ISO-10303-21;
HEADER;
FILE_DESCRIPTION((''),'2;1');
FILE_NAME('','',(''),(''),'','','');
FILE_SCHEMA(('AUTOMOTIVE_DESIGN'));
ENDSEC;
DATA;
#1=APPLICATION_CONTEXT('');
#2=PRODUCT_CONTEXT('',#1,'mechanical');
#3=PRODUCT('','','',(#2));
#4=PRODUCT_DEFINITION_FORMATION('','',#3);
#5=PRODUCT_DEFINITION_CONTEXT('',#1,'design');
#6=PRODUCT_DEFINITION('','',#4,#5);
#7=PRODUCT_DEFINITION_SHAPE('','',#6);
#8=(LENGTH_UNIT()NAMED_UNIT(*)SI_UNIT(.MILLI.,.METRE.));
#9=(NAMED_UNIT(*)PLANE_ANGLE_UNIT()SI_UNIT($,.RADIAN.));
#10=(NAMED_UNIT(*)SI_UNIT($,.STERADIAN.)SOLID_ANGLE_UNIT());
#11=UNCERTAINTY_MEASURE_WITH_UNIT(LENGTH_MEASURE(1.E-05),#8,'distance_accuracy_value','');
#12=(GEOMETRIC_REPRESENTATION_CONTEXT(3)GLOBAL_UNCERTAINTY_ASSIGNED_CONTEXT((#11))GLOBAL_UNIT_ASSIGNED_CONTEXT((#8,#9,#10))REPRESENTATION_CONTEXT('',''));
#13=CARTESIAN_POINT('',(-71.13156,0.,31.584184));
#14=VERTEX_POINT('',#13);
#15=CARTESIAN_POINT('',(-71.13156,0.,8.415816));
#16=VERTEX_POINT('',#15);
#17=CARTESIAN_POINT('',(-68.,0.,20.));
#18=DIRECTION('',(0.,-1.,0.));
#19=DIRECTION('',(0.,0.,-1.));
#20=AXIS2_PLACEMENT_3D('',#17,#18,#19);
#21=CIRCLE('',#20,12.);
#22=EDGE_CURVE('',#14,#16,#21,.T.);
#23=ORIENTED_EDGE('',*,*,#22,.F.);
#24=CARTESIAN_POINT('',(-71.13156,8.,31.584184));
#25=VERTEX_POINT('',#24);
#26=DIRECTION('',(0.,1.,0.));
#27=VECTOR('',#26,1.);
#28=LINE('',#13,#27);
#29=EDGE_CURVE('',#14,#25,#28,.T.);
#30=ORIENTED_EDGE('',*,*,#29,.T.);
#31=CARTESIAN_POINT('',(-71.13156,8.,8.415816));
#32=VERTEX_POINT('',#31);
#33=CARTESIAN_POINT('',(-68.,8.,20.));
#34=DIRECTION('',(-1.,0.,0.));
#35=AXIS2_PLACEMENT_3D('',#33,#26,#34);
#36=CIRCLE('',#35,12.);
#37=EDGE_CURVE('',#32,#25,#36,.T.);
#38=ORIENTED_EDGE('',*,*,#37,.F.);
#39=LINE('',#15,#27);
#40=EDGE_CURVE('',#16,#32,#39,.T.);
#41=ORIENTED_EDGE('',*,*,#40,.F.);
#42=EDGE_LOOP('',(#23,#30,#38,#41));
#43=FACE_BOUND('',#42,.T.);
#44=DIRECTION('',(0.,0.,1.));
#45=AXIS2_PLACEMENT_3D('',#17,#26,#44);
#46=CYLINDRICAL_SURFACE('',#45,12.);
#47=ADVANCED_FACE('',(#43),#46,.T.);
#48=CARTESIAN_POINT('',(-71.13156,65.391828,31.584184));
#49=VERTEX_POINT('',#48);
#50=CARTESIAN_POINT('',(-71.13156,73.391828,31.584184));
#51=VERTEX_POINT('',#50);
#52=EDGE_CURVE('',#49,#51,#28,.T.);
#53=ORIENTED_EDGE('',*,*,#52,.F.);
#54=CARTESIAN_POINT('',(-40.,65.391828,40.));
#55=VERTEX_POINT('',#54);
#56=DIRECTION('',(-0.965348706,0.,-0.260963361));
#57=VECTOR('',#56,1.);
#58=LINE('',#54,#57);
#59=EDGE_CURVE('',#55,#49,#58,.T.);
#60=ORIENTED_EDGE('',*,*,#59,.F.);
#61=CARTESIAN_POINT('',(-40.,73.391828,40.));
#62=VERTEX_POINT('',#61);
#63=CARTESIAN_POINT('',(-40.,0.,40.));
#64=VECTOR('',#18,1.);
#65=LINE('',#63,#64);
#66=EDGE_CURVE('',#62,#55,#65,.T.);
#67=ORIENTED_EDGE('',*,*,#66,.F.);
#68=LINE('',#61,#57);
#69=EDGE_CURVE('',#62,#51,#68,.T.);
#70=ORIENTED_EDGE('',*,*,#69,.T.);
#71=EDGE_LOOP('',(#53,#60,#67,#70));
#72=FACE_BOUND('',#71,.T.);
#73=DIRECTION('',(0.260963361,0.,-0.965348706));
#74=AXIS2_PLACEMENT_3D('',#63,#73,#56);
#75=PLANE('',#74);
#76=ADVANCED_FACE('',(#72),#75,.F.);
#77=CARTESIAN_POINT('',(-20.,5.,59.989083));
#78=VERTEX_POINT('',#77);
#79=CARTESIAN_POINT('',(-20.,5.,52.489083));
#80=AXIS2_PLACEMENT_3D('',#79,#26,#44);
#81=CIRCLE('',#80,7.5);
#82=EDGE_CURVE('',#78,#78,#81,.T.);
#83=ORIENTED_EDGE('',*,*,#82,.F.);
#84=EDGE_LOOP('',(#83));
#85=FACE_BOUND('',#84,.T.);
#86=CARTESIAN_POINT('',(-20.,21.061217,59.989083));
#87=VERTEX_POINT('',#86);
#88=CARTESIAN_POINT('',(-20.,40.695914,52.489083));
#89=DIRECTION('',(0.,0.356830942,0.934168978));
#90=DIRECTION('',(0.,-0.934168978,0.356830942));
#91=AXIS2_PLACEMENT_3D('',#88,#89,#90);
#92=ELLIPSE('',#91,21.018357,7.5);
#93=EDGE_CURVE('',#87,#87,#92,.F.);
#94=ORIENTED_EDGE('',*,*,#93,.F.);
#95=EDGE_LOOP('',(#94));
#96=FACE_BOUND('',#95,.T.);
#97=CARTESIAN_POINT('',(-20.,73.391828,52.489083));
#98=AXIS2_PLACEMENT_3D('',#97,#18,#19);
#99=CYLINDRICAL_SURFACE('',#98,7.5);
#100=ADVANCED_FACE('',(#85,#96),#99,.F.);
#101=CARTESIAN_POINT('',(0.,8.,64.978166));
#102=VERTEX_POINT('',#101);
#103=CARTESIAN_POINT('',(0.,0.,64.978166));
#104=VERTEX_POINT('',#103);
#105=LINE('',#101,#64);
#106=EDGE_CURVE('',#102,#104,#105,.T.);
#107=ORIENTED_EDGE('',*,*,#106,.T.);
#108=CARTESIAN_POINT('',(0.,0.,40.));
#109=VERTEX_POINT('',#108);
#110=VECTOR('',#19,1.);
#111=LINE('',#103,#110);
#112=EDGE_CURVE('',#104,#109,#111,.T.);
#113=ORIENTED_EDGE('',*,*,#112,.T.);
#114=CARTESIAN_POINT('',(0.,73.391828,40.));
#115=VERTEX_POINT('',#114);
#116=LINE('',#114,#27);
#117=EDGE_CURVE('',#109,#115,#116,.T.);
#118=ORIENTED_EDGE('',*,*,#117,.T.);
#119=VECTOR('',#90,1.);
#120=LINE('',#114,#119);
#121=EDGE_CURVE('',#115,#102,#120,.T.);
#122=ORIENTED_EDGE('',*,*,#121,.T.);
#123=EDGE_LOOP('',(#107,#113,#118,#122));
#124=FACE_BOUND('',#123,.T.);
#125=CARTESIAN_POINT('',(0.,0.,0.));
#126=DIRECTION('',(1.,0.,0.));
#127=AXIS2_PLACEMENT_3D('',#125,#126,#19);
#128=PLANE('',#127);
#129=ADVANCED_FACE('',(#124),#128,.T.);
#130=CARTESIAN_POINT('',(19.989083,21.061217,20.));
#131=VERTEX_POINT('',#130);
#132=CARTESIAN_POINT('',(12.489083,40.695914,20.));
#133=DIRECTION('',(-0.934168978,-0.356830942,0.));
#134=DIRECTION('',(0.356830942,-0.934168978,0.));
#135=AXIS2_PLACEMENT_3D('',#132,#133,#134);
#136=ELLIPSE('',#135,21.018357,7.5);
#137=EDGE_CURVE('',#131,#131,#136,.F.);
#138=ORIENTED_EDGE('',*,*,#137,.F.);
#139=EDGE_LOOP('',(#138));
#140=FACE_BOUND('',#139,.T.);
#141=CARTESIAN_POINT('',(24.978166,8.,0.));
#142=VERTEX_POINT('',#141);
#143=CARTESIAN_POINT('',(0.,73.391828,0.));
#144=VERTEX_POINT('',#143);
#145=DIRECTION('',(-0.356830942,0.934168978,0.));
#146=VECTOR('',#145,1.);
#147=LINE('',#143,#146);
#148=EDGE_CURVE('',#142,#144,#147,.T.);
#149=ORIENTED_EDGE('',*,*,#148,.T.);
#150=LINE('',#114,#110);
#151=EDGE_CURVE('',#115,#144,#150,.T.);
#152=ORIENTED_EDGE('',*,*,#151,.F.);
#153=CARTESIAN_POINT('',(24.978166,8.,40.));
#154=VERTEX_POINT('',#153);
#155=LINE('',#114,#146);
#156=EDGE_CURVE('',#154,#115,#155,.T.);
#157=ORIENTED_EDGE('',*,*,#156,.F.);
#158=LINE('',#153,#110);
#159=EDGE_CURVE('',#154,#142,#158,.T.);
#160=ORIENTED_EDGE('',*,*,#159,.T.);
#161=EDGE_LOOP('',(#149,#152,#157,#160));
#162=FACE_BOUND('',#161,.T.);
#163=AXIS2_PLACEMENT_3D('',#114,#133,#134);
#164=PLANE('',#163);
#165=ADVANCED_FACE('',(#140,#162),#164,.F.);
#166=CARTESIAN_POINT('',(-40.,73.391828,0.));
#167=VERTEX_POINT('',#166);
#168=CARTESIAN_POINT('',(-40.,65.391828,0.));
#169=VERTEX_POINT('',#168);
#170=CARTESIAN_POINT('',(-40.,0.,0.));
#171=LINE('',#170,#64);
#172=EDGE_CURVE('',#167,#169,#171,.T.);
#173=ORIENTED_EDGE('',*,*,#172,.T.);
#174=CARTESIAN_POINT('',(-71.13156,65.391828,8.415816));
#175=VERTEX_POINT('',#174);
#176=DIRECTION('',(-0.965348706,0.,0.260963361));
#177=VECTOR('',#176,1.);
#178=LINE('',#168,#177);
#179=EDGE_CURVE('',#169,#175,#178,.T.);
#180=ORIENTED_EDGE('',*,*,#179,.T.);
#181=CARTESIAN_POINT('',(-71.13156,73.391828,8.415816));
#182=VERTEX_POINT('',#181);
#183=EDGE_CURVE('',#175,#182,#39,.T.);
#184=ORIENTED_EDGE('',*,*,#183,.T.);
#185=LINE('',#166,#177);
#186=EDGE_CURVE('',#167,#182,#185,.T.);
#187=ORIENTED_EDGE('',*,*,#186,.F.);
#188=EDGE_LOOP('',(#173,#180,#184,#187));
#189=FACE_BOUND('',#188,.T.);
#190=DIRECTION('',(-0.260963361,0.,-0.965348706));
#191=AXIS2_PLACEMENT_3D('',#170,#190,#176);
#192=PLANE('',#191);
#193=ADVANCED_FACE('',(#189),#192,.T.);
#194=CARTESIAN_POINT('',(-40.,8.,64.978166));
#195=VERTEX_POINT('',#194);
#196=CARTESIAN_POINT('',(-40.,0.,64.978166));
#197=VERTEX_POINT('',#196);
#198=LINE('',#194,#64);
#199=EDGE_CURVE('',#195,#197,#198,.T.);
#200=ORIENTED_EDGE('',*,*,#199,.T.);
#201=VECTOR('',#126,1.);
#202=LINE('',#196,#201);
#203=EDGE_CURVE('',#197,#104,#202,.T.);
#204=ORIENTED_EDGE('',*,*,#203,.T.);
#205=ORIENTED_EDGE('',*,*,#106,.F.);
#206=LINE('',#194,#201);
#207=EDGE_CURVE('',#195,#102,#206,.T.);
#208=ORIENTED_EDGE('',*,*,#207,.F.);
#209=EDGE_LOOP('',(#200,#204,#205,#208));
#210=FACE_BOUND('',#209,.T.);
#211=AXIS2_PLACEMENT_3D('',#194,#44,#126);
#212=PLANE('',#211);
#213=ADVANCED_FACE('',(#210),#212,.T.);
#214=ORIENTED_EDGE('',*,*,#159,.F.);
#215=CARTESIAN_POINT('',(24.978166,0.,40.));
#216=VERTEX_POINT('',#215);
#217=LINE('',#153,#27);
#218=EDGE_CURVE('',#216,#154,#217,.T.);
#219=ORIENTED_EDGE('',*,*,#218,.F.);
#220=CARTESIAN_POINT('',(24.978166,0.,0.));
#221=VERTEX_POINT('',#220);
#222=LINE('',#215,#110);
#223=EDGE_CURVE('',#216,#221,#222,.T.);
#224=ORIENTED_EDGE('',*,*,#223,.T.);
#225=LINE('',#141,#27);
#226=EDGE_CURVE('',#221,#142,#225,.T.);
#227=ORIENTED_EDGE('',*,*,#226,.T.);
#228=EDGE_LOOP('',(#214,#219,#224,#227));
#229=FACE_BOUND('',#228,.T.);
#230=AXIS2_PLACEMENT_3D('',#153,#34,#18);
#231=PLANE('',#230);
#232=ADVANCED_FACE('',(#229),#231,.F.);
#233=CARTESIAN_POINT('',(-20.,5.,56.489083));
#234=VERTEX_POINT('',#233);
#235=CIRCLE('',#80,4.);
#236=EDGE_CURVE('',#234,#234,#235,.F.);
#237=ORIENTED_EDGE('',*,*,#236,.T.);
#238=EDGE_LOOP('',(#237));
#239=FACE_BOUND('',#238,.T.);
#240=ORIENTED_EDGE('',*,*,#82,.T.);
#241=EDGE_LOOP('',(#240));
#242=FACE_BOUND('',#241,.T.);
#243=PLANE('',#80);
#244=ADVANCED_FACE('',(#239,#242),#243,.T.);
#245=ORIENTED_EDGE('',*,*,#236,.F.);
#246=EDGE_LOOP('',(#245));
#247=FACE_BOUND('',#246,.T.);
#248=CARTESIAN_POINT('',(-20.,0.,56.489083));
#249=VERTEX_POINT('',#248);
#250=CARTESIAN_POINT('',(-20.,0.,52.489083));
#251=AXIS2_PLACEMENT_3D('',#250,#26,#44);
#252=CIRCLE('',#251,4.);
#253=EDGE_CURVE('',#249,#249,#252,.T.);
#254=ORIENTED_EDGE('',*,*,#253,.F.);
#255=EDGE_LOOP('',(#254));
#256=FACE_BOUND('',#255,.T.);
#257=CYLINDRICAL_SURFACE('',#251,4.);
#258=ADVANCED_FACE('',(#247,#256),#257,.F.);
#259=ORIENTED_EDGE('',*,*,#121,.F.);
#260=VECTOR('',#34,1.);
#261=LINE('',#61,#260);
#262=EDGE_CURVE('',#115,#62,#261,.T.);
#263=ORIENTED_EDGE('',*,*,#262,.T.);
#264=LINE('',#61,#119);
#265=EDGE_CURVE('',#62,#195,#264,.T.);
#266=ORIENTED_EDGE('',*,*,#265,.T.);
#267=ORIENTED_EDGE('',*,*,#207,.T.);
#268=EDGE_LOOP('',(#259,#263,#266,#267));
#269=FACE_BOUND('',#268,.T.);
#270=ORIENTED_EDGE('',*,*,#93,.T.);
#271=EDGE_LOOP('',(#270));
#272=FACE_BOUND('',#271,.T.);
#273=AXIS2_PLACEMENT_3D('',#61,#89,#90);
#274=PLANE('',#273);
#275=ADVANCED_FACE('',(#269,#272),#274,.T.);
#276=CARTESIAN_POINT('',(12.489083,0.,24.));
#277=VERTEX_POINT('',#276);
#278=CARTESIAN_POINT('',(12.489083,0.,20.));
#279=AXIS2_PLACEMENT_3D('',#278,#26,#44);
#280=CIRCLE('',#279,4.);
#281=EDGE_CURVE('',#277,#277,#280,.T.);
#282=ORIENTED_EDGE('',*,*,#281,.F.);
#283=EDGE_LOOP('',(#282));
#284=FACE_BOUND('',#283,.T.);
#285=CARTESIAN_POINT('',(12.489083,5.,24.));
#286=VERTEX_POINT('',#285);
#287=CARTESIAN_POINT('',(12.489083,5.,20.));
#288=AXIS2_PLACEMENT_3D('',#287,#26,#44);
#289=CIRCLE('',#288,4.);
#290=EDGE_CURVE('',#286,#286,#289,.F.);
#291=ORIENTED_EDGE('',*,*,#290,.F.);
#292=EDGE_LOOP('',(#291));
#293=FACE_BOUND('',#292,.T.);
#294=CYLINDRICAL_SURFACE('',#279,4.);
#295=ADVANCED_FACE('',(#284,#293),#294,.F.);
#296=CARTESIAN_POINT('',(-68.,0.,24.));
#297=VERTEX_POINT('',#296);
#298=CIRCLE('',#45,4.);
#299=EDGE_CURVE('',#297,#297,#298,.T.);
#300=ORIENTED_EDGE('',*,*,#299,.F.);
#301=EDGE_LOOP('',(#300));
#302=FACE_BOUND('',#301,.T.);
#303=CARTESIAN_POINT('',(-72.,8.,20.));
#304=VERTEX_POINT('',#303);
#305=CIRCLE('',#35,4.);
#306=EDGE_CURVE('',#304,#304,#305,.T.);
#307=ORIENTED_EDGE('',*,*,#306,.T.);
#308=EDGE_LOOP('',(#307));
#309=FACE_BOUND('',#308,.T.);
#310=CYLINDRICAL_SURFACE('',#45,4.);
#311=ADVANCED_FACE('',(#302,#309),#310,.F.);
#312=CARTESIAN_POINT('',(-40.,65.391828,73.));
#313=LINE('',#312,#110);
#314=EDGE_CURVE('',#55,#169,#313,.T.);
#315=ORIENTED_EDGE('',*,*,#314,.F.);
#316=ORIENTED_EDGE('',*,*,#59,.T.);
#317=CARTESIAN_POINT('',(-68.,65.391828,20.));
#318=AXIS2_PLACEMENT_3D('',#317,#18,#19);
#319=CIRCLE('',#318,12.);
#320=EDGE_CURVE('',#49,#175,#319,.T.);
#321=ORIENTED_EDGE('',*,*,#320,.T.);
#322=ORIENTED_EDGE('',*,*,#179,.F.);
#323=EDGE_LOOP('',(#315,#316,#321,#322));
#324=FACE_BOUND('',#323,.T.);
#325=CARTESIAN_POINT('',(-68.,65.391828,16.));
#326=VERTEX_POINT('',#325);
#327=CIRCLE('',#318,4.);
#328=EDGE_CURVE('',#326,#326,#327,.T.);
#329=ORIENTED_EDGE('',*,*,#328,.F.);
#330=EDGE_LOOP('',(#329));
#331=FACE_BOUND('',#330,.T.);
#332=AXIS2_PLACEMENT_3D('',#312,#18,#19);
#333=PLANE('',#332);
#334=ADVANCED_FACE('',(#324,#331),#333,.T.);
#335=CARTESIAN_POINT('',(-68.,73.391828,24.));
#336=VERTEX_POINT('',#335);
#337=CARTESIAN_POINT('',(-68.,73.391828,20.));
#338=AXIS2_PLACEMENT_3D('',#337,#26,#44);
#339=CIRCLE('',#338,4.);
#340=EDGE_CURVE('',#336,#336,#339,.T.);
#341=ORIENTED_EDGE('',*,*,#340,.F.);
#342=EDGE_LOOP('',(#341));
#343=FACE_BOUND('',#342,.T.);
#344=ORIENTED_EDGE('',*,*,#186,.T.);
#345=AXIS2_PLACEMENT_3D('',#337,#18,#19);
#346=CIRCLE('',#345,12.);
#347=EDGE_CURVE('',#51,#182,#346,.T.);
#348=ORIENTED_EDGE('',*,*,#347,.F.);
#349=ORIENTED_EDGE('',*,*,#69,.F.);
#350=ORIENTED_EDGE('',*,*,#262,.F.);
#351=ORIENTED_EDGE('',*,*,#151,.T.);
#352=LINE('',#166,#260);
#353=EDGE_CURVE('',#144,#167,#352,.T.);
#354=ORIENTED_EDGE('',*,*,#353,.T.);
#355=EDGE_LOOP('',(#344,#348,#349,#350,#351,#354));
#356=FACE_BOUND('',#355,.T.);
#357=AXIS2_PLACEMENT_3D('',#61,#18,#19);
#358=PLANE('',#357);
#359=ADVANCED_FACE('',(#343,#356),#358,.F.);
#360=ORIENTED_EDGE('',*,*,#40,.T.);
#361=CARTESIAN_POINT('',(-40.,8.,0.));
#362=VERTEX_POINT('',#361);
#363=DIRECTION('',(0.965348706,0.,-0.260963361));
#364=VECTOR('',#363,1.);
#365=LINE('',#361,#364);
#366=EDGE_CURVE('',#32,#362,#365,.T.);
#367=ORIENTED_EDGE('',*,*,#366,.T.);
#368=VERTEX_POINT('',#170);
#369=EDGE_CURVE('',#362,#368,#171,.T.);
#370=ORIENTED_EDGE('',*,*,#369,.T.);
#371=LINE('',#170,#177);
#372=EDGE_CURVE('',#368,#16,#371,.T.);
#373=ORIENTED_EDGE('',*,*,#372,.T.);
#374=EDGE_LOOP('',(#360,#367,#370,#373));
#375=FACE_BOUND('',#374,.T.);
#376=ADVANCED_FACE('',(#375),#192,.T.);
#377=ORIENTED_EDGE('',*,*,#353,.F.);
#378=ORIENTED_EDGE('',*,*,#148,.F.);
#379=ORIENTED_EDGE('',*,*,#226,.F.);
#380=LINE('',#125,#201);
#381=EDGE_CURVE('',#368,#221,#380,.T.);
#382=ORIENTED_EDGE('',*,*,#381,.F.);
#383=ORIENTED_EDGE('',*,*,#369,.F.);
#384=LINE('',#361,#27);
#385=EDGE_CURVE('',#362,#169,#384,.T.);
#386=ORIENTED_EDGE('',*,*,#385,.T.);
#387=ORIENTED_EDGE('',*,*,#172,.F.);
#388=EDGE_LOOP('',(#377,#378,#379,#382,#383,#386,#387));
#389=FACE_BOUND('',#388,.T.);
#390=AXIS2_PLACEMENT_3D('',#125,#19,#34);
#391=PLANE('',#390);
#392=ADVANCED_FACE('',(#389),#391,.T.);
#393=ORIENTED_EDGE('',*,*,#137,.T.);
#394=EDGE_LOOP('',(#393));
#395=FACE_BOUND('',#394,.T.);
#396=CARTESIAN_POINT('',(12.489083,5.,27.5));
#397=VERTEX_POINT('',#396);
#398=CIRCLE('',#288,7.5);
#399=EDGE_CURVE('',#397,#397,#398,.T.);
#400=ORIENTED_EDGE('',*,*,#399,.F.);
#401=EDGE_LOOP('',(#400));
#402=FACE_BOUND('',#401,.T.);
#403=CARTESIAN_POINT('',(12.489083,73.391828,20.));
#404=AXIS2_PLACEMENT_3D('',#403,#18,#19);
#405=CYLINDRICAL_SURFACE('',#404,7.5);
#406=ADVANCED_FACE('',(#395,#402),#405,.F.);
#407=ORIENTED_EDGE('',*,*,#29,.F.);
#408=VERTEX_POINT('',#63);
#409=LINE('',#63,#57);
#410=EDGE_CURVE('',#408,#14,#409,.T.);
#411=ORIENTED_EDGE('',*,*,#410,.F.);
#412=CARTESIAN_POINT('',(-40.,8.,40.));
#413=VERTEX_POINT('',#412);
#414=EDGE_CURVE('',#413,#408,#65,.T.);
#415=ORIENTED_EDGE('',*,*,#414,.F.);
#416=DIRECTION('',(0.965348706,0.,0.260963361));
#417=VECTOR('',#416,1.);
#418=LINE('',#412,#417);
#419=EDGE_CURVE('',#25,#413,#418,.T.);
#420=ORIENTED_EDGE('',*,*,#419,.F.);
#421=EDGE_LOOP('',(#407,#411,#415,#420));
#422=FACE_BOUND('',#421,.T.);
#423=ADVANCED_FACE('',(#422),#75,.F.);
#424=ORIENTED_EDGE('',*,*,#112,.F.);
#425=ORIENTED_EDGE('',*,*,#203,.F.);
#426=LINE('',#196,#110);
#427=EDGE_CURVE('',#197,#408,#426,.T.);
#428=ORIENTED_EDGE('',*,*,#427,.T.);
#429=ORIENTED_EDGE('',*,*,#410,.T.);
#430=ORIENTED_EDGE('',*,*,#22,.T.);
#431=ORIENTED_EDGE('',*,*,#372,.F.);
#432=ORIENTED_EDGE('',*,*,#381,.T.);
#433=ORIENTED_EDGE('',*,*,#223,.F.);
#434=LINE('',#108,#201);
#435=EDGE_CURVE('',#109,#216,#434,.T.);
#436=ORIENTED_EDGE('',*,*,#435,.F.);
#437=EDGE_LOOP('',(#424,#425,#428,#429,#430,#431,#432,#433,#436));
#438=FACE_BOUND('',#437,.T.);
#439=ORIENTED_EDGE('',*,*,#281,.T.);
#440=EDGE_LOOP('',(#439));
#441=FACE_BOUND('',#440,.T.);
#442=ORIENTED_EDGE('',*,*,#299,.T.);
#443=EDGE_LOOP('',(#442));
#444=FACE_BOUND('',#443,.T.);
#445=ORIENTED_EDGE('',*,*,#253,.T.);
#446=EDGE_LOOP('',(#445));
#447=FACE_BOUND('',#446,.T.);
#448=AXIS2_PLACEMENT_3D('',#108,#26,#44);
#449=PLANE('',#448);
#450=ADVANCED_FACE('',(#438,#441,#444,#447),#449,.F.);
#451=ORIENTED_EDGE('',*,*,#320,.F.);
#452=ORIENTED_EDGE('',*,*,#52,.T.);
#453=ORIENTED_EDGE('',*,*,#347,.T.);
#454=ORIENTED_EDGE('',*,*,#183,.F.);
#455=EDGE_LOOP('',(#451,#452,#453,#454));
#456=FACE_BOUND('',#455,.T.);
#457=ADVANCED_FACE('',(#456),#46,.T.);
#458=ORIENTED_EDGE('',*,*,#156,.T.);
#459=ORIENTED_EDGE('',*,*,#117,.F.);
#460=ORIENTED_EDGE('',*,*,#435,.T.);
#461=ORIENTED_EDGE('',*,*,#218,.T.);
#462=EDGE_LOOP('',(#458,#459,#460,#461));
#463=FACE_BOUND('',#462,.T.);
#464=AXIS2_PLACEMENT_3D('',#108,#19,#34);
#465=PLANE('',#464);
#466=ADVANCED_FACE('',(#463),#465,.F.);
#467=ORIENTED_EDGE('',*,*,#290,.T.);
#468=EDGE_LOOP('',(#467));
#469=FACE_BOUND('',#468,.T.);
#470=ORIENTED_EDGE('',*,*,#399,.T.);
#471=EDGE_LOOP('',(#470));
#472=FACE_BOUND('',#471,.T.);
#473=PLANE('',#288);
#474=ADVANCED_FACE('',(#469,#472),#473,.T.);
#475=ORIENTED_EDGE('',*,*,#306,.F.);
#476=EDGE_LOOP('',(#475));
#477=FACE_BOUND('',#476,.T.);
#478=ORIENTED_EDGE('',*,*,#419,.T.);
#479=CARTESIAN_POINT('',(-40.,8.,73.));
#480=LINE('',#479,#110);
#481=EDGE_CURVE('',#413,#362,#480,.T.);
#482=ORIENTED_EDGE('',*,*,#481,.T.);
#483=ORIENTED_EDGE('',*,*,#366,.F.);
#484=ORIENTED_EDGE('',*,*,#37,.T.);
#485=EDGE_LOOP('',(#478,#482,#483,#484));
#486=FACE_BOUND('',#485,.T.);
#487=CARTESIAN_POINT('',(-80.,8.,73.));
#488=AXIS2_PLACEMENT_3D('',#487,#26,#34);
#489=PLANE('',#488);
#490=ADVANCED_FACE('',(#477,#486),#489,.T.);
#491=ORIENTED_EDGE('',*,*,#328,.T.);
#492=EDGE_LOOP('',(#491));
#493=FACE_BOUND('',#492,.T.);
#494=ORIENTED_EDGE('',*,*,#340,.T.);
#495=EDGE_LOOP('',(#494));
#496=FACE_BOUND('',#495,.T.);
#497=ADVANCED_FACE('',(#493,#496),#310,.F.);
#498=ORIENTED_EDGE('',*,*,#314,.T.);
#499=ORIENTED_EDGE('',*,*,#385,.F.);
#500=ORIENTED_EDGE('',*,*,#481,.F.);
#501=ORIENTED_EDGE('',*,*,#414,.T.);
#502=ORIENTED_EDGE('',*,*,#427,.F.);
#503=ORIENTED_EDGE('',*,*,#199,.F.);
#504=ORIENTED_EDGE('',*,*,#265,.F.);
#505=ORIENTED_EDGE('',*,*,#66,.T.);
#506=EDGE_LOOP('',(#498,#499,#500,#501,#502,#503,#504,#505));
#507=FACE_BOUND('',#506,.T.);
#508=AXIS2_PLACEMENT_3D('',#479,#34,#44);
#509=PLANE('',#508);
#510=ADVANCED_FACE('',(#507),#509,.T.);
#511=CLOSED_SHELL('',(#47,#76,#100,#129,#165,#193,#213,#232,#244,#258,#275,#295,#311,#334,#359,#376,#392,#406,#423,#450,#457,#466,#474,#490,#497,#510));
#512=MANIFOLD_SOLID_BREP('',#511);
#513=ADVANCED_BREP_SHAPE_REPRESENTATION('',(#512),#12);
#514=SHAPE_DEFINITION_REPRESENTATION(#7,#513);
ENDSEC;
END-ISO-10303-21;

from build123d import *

# Parameters (mm, degrees)
BOSS_EXTRUDE1_DEPTH = 40
BOSS_EXTRUDE2_DEPTH = 73.391828
SKETCH4_W           = 40
SKETCH4_H           = 57.391828437
CUT_EXTRUDE1_DEPTH  = 73
BOSS_EXTRUDE4_DEPTH = 40
SKETCH8_R           = 4
CUT_EXTRUDE2_DEPTH  = 127.52479018
SKETCH10_R          = 7.5
CUT_EXTRUDE3_DEPTH  = 124.691569016


with BuildPart() as part:
    # Sketch2 → Boss-Extrude1 (new body)
    with BuildSketch(Plane.XY):
        Polygon((0, 0), (-40, 0), (-40, 73.391828437), (0, 73.391828437), (24.978165939, 8), (24.978165939, 0), align=None)
    extrude(amount=BOSS_EXTRUDE1_DEPTH)

    # Sketch3 → Boss-Extrude2 (add)
    with BuildSketch(Plane(origin=(0, 73.391828437, 0), x_dir=(1, 0, 0), z_dir=(0, 1, 0))):
        with BuildLine():
            Line((-40, -40), (-71.131560336, -31.584184471))
            ThreePointArc((-71.131560336, -31.584184471), (-80, -20), (-71.131560336, -8.415815529))
            Line((-71.131560336, -8.415815529), (-40, 0))
            Line((-40, 0), (-40, -40))
        make_face()
    extrude(amount=-BOSS_EXTRUDE2_DEPTH)

    # Sketch4 → Cut-Extrude1 (cut)
    with BuildSketch(Plane.XY):
        with Locations((-60, 36.695914219)):
            Rectangle(SKETCH4_W, SKETCH4_H)
    extrude(amount=CUT_EXTRUDE1_DEPTH, mode=Mode.SUBTRACT)

    # Sketch6 → Boss-Extrude4 (add)
    with BuildSketch(Plane(origin=(0, 0, 0), x_dir=(0, 0, -1), z_dir=(1, 0, 0))):
        Polygon((-40, 73.391828437), (-64.978165939, 8), (-64.978165939, 0), (-40, 0), align=None)
    extrude(amount=-BOSS_EXTRUDE4_DEPTH)

    # Sketch8 → Cut-Extrude2 (cut, through all)
    with BuildSketch(Plane(origin=(0, 73.391828437, 0), x_dir=(1, 0, 0), z_dir=(0, 1, 0))):
        with Locations(Location((12.489082969, -20, 0), (0, 0, 270))):
            Circle(SKETCH8_R)
        with Locations(Location((-20, -52.489082969, 0), (0, 0, 270))):
            Circle(SKETCH8_R)
        with Locations(Location((-68, -20, 0), (0, 0, 270))):
            Circle(SKETCH8_R)
    extrude(amount=-CUT_EXTRUDE2_DEPTH, mode=Mode.SUBTRACT)

    # Sketch10 → Cut-Extrude3 (cut, through all)
    with BuildSketch(Plane(origin=(0, 5, 0), x_dir=(1, 0, 0), z_dir=(0, 1, 0))):
        with Locations((12.489082969, -20)):
            Circle(SKETCH10_R)
        with Locations(Location((-20, -52.489082969, 0), (0, 0, 270))):
            Circle(SKETCH10_R)
    extrude(amount=CUT_EXTRUDE3_DEPTH, mode=Mode.SUBTRACT)


solid = part.part
